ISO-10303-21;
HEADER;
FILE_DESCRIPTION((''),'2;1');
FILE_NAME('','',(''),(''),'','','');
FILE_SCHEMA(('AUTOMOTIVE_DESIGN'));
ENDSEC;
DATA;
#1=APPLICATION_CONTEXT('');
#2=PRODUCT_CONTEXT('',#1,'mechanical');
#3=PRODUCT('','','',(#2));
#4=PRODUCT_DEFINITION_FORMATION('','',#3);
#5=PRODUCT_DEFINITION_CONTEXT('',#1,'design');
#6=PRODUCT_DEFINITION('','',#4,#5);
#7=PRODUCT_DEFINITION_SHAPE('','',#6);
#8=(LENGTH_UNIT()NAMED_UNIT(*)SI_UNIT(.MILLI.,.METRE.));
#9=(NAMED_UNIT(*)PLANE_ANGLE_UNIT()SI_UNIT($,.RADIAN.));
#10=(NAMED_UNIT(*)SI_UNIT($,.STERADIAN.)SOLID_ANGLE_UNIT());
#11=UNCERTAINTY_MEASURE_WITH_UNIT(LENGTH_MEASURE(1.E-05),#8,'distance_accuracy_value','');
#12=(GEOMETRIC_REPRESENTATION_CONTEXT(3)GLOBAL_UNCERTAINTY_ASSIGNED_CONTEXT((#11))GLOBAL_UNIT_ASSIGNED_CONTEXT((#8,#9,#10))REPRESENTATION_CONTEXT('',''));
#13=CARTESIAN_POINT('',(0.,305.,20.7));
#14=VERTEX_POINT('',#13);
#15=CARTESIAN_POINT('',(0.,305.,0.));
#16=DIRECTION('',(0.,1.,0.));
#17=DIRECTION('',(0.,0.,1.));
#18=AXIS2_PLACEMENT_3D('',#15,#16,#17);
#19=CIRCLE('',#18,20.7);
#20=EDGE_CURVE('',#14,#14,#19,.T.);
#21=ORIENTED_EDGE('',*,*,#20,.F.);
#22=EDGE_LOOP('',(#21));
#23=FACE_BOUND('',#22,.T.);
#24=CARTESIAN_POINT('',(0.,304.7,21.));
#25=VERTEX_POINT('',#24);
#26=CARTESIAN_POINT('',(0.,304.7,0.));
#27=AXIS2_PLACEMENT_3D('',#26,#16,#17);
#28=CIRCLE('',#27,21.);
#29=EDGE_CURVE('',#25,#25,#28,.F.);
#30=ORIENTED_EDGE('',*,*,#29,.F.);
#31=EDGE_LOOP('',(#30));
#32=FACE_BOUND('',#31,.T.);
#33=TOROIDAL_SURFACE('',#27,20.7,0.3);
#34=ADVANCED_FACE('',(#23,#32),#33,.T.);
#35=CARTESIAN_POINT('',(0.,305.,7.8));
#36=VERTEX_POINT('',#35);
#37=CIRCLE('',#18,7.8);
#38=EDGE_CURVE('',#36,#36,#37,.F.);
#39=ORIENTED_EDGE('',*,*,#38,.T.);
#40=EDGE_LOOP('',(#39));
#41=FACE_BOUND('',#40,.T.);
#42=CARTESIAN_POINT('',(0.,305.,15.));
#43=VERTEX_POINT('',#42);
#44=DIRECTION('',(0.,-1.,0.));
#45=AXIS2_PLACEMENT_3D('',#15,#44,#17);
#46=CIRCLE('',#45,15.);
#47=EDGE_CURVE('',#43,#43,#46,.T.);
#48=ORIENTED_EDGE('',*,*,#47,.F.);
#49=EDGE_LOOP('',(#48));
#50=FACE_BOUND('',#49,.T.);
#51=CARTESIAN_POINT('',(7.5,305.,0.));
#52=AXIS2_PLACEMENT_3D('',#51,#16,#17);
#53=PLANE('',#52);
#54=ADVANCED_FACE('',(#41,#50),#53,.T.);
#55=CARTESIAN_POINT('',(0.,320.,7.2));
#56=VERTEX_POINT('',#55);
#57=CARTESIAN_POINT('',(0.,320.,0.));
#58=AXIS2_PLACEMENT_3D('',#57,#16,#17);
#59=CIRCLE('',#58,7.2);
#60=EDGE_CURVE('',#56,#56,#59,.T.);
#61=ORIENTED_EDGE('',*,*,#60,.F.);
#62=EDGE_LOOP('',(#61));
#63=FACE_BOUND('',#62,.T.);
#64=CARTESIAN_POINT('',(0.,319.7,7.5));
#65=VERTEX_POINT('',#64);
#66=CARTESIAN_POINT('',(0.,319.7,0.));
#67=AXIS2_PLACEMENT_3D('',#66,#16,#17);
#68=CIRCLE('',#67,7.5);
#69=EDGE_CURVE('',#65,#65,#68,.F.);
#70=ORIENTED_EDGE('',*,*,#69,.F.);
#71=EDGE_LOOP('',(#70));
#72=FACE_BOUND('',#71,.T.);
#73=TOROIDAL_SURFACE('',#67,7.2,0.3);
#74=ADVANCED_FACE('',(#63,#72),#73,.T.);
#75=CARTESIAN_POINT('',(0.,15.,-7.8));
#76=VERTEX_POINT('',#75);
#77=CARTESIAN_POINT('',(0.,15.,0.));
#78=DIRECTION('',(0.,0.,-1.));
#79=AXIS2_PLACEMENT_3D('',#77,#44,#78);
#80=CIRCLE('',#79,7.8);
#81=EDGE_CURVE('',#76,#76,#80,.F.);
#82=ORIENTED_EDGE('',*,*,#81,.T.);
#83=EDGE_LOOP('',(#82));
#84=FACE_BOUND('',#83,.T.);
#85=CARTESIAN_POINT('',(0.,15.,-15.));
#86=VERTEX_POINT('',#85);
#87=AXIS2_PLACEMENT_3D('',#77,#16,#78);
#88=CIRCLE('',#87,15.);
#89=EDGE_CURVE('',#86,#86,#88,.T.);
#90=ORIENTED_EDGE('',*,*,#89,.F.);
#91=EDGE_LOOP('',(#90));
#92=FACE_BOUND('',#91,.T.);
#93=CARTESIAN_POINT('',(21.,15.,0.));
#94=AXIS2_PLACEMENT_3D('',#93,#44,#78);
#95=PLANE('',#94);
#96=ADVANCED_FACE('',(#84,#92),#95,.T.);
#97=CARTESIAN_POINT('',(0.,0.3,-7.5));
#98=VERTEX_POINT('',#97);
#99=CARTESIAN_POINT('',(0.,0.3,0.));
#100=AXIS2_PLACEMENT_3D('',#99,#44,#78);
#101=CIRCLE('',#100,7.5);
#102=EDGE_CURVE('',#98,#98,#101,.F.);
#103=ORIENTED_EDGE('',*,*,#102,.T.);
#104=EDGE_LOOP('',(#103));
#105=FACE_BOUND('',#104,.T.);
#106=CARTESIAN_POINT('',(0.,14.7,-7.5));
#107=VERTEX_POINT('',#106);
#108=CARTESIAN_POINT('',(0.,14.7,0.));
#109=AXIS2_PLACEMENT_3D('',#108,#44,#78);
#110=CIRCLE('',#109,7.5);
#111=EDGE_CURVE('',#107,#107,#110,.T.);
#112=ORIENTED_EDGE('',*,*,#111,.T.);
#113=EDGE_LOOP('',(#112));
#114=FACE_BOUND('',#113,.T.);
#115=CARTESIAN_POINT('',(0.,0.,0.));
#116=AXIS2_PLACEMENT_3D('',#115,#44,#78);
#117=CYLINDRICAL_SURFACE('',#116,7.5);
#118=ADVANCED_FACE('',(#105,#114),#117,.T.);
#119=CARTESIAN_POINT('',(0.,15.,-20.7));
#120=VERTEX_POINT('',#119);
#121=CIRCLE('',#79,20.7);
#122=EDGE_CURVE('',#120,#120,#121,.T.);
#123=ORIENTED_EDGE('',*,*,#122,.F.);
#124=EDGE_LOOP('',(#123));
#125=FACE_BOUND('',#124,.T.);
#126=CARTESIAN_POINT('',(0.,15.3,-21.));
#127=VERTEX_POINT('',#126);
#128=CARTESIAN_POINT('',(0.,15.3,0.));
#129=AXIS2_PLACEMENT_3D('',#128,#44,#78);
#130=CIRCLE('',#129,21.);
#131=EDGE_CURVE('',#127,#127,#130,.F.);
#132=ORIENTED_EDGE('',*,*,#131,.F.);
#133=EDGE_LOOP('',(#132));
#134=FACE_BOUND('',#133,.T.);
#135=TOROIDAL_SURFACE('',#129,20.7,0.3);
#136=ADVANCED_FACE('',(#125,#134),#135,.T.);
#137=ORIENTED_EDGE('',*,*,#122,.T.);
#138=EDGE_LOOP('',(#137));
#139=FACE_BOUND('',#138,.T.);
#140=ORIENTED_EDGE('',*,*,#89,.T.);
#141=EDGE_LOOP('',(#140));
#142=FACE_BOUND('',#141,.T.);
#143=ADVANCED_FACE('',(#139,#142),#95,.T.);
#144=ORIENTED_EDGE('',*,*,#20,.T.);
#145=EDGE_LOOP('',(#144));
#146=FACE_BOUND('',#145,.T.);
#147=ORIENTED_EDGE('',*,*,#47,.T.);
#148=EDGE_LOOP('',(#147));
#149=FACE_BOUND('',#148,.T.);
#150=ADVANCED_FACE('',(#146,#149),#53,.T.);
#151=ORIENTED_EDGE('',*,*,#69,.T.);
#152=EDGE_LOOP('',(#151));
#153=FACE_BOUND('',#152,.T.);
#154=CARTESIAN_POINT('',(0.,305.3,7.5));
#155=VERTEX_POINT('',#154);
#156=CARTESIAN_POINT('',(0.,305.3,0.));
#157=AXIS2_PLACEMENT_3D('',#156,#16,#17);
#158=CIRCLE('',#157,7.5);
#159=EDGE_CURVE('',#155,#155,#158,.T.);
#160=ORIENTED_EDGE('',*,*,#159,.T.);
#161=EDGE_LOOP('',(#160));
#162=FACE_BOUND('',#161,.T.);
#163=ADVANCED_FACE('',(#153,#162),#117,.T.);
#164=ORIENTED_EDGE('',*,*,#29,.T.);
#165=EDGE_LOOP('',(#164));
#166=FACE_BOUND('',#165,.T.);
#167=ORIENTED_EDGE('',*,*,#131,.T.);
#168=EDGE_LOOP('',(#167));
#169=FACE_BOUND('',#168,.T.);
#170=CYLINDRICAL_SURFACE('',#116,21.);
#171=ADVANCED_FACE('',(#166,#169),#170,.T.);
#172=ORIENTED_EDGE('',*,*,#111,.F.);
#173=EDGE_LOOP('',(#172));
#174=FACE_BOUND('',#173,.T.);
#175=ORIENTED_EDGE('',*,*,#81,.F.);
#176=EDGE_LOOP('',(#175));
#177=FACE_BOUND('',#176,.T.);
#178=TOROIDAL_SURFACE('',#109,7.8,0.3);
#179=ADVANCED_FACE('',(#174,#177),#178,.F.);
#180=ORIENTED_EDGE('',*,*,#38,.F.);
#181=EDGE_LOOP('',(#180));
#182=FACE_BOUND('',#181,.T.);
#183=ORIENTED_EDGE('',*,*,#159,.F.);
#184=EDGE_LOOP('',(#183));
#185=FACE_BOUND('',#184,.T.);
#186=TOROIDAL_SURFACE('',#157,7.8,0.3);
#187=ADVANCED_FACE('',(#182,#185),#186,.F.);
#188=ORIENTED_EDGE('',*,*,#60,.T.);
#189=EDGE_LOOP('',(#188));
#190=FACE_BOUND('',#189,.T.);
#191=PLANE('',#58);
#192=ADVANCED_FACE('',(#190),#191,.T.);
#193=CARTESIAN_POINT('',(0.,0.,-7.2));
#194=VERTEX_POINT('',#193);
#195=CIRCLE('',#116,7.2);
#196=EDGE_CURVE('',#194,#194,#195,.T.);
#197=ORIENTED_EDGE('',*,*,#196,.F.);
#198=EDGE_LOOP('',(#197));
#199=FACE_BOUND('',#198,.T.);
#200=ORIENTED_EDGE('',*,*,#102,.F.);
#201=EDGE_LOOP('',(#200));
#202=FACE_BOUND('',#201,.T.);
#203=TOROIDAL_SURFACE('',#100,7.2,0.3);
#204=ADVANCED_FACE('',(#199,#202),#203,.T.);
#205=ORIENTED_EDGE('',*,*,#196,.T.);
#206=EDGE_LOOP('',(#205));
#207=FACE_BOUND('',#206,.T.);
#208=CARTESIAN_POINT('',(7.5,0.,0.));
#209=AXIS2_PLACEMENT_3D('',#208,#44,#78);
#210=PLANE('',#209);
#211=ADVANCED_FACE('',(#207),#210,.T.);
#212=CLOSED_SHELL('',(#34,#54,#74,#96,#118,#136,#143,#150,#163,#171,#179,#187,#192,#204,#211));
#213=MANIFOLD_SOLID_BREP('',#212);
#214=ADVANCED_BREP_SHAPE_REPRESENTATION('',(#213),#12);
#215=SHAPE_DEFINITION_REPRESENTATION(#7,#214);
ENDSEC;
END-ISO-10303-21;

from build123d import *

# Parameters (mm, degrees)
FILLET1_R = 0.3


with BuildPart() as part:
    # Sketch1 → Revolve1 (revolve)
    with BuildSketch(Plane.XY):
        Polygon((0, 0), (0, 320), (7.5, 320), (7.5, 305), (21, 305), (21, 15), (7.5, 15), (7.5, 0), align=None)
    revolve(axis=Axis((0, 0, 0), (0, 1, 0)))

    # Fillet1
    fillet1_edges = [part.edges().sort_by_distance(p)[0] for p in [
        (-7.5, 0, 0),
        (-7.5, 15, 0),
        (-21, 15, 0),
        (-7.5, 320, 0),
        (-21, 305, 0),
        (-7.5, 305, 0),
    ]]
    fillet(fillet1_edges, radius=FILLET1_R)


solid = part.part
